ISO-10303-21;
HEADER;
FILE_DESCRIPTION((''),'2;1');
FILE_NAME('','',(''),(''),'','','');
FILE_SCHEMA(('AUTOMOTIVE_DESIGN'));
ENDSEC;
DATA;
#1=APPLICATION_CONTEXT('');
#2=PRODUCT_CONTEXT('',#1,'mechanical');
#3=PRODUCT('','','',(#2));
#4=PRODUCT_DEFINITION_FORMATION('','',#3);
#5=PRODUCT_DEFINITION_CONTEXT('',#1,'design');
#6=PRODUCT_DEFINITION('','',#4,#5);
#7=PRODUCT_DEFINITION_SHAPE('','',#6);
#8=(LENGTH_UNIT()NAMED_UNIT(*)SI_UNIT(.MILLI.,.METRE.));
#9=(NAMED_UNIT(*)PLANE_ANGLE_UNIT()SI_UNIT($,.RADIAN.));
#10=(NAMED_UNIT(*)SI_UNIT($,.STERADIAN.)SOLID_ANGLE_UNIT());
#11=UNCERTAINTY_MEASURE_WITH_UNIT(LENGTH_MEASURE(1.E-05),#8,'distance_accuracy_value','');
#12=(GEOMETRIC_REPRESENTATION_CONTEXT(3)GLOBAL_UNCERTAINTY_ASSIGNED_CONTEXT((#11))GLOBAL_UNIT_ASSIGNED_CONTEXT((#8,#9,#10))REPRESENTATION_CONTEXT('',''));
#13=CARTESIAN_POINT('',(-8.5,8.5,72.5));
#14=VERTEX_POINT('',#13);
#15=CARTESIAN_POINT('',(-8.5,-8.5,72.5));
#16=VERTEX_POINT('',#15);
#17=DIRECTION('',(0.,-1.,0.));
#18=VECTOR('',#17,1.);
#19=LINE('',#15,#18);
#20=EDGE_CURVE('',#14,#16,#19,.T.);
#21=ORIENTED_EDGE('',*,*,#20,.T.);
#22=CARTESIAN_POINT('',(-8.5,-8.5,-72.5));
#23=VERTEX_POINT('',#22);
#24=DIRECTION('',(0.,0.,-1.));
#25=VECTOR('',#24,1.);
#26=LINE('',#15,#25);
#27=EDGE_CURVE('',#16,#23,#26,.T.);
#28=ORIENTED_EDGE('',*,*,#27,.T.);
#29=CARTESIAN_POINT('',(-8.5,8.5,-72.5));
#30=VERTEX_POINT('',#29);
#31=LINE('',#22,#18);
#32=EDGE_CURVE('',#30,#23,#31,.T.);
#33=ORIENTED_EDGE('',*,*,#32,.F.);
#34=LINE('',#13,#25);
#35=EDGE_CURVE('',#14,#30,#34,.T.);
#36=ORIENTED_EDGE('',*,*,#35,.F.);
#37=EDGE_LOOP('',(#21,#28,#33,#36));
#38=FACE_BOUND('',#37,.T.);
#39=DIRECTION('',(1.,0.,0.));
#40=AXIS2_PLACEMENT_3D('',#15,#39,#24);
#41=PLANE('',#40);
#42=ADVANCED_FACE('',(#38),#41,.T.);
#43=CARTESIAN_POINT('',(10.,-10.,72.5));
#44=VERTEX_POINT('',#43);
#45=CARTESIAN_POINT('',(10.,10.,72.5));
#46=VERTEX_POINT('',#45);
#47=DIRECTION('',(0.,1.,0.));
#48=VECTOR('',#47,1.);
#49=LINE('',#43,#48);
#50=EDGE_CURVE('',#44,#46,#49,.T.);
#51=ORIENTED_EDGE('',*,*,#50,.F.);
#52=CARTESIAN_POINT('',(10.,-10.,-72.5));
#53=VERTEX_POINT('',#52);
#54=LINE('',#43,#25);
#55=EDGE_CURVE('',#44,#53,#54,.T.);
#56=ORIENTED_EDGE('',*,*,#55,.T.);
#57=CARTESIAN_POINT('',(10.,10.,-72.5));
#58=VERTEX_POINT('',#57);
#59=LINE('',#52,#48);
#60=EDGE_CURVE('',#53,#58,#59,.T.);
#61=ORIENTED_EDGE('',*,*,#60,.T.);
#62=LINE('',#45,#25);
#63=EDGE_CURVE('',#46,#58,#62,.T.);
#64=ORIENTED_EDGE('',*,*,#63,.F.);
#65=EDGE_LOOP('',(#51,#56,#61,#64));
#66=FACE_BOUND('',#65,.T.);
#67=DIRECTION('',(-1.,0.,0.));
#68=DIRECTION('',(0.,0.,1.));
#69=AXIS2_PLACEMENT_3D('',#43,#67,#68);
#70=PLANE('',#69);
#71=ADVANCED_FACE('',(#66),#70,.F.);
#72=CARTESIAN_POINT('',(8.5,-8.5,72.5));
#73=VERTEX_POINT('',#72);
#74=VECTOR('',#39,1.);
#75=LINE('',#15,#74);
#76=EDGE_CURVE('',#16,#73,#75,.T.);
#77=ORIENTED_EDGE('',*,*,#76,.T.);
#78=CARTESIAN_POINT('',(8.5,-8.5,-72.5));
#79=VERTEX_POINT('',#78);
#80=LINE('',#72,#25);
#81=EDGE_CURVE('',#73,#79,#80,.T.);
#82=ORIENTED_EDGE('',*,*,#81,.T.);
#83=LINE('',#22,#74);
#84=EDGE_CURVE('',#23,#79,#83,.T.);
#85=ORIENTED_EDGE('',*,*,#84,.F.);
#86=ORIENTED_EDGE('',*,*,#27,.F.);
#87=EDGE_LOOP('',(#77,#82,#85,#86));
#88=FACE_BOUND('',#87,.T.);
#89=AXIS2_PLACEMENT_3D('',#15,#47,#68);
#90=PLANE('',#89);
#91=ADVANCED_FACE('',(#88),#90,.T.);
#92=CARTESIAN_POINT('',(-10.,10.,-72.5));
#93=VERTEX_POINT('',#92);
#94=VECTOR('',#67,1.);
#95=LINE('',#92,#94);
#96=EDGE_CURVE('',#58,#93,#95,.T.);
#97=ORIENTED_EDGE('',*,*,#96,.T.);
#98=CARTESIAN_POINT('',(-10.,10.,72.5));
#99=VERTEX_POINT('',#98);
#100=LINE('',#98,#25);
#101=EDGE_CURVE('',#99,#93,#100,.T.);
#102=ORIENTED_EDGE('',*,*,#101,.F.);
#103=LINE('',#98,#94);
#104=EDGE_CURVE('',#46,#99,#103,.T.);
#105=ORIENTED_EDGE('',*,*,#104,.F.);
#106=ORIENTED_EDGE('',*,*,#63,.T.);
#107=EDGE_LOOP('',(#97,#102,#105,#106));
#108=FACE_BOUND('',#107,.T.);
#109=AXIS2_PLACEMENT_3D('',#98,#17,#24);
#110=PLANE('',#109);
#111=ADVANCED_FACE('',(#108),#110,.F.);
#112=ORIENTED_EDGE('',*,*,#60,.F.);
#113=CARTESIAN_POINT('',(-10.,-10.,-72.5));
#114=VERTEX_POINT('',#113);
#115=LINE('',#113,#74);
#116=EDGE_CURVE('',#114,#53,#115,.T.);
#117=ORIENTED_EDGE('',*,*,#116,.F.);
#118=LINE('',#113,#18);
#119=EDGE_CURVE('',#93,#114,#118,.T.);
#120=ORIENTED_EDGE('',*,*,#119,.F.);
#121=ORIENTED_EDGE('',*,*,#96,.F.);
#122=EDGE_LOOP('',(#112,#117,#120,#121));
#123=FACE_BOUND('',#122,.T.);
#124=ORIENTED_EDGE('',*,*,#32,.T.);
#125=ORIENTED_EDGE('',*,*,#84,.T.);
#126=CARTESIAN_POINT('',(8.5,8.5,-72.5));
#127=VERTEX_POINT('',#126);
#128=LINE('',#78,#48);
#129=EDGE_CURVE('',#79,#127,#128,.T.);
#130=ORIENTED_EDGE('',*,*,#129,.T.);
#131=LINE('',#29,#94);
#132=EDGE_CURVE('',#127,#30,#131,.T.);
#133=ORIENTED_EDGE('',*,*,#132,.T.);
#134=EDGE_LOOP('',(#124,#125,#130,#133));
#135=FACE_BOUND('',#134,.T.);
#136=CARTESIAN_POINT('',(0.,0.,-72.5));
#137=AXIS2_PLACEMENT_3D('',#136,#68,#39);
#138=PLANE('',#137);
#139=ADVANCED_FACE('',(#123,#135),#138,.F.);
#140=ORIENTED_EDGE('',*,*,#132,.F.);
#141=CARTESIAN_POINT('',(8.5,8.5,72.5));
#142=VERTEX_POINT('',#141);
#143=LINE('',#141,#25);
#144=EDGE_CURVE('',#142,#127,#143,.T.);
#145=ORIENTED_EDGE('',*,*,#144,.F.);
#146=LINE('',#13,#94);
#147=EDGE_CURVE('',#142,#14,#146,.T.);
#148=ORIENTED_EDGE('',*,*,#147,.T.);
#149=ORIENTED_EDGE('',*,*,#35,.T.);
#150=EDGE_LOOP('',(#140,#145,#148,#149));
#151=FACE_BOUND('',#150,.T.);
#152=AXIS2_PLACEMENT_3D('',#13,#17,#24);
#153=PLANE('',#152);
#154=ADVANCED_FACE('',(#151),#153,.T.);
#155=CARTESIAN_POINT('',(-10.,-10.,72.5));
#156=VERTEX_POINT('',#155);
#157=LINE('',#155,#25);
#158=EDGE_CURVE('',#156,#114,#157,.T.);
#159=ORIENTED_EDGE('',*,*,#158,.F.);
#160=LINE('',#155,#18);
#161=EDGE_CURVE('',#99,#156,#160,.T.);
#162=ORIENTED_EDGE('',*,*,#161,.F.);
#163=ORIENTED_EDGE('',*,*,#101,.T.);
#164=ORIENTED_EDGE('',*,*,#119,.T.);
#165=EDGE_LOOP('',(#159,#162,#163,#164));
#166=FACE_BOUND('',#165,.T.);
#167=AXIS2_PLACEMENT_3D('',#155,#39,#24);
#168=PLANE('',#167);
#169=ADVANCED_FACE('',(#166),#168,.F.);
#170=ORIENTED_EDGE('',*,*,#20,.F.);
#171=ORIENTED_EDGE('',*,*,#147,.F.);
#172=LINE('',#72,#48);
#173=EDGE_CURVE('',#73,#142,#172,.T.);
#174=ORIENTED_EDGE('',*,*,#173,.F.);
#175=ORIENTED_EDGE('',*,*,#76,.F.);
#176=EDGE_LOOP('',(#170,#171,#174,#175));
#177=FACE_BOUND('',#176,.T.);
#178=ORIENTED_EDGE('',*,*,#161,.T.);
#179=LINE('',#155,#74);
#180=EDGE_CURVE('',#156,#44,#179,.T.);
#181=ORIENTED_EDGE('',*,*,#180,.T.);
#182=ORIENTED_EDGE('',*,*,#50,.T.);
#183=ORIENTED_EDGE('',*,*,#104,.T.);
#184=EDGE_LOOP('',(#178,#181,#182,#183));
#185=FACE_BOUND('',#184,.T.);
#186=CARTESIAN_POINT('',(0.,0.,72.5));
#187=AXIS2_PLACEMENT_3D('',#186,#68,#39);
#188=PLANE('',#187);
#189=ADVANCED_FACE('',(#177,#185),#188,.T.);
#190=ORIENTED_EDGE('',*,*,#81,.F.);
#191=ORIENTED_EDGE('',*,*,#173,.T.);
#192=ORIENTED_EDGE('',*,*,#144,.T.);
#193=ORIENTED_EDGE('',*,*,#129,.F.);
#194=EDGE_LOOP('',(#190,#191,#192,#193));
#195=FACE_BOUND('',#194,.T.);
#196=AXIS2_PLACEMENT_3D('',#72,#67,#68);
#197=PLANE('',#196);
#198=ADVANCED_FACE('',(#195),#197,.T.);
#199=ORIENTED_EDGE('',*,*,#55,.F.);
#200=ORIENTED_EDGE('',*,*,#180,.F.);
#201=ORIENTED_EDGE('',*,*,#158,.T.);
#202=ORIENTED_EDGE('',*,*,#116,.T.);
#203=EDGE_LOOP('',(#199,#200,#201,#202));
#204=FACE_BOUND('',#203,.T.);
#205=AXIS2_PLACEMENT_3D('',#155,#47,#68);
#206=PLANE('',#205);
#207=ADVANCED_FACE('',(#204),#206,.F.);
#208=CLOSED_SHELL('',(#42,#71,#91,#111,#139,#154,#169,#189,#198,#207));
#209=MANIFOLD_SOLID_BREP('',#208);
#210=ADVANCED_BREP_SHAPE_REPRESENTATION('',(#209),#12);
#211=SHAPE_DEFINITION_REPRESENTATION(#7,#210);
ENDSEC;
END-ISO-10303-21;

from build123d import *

# Parameters (mm, degrees)
CROQUIS1_W              = 20
CROQUIS1_H              = 20
CROQUIS1_W_2            = 17
CROQUIS1_H_2            = 17
SALIENTE_EXTRUIR1_DEPTH = 72.5


with BuildPart() as part:
    # Croquis1 → Saliente-Extruir1 (new, symmetric)
    with BuildSketch(Plane.XY):
        Rectangle(CROQUIS1_W, CROQUIS1_H)
        Rectangle(CROQUIS1_W_2, CROQUIS1_H_2, mode=Mode.SUBTRACT)
    extrude(amount=SALIENTE_EXTRUIR1_DEPTH, both=True)


solid = part.part
